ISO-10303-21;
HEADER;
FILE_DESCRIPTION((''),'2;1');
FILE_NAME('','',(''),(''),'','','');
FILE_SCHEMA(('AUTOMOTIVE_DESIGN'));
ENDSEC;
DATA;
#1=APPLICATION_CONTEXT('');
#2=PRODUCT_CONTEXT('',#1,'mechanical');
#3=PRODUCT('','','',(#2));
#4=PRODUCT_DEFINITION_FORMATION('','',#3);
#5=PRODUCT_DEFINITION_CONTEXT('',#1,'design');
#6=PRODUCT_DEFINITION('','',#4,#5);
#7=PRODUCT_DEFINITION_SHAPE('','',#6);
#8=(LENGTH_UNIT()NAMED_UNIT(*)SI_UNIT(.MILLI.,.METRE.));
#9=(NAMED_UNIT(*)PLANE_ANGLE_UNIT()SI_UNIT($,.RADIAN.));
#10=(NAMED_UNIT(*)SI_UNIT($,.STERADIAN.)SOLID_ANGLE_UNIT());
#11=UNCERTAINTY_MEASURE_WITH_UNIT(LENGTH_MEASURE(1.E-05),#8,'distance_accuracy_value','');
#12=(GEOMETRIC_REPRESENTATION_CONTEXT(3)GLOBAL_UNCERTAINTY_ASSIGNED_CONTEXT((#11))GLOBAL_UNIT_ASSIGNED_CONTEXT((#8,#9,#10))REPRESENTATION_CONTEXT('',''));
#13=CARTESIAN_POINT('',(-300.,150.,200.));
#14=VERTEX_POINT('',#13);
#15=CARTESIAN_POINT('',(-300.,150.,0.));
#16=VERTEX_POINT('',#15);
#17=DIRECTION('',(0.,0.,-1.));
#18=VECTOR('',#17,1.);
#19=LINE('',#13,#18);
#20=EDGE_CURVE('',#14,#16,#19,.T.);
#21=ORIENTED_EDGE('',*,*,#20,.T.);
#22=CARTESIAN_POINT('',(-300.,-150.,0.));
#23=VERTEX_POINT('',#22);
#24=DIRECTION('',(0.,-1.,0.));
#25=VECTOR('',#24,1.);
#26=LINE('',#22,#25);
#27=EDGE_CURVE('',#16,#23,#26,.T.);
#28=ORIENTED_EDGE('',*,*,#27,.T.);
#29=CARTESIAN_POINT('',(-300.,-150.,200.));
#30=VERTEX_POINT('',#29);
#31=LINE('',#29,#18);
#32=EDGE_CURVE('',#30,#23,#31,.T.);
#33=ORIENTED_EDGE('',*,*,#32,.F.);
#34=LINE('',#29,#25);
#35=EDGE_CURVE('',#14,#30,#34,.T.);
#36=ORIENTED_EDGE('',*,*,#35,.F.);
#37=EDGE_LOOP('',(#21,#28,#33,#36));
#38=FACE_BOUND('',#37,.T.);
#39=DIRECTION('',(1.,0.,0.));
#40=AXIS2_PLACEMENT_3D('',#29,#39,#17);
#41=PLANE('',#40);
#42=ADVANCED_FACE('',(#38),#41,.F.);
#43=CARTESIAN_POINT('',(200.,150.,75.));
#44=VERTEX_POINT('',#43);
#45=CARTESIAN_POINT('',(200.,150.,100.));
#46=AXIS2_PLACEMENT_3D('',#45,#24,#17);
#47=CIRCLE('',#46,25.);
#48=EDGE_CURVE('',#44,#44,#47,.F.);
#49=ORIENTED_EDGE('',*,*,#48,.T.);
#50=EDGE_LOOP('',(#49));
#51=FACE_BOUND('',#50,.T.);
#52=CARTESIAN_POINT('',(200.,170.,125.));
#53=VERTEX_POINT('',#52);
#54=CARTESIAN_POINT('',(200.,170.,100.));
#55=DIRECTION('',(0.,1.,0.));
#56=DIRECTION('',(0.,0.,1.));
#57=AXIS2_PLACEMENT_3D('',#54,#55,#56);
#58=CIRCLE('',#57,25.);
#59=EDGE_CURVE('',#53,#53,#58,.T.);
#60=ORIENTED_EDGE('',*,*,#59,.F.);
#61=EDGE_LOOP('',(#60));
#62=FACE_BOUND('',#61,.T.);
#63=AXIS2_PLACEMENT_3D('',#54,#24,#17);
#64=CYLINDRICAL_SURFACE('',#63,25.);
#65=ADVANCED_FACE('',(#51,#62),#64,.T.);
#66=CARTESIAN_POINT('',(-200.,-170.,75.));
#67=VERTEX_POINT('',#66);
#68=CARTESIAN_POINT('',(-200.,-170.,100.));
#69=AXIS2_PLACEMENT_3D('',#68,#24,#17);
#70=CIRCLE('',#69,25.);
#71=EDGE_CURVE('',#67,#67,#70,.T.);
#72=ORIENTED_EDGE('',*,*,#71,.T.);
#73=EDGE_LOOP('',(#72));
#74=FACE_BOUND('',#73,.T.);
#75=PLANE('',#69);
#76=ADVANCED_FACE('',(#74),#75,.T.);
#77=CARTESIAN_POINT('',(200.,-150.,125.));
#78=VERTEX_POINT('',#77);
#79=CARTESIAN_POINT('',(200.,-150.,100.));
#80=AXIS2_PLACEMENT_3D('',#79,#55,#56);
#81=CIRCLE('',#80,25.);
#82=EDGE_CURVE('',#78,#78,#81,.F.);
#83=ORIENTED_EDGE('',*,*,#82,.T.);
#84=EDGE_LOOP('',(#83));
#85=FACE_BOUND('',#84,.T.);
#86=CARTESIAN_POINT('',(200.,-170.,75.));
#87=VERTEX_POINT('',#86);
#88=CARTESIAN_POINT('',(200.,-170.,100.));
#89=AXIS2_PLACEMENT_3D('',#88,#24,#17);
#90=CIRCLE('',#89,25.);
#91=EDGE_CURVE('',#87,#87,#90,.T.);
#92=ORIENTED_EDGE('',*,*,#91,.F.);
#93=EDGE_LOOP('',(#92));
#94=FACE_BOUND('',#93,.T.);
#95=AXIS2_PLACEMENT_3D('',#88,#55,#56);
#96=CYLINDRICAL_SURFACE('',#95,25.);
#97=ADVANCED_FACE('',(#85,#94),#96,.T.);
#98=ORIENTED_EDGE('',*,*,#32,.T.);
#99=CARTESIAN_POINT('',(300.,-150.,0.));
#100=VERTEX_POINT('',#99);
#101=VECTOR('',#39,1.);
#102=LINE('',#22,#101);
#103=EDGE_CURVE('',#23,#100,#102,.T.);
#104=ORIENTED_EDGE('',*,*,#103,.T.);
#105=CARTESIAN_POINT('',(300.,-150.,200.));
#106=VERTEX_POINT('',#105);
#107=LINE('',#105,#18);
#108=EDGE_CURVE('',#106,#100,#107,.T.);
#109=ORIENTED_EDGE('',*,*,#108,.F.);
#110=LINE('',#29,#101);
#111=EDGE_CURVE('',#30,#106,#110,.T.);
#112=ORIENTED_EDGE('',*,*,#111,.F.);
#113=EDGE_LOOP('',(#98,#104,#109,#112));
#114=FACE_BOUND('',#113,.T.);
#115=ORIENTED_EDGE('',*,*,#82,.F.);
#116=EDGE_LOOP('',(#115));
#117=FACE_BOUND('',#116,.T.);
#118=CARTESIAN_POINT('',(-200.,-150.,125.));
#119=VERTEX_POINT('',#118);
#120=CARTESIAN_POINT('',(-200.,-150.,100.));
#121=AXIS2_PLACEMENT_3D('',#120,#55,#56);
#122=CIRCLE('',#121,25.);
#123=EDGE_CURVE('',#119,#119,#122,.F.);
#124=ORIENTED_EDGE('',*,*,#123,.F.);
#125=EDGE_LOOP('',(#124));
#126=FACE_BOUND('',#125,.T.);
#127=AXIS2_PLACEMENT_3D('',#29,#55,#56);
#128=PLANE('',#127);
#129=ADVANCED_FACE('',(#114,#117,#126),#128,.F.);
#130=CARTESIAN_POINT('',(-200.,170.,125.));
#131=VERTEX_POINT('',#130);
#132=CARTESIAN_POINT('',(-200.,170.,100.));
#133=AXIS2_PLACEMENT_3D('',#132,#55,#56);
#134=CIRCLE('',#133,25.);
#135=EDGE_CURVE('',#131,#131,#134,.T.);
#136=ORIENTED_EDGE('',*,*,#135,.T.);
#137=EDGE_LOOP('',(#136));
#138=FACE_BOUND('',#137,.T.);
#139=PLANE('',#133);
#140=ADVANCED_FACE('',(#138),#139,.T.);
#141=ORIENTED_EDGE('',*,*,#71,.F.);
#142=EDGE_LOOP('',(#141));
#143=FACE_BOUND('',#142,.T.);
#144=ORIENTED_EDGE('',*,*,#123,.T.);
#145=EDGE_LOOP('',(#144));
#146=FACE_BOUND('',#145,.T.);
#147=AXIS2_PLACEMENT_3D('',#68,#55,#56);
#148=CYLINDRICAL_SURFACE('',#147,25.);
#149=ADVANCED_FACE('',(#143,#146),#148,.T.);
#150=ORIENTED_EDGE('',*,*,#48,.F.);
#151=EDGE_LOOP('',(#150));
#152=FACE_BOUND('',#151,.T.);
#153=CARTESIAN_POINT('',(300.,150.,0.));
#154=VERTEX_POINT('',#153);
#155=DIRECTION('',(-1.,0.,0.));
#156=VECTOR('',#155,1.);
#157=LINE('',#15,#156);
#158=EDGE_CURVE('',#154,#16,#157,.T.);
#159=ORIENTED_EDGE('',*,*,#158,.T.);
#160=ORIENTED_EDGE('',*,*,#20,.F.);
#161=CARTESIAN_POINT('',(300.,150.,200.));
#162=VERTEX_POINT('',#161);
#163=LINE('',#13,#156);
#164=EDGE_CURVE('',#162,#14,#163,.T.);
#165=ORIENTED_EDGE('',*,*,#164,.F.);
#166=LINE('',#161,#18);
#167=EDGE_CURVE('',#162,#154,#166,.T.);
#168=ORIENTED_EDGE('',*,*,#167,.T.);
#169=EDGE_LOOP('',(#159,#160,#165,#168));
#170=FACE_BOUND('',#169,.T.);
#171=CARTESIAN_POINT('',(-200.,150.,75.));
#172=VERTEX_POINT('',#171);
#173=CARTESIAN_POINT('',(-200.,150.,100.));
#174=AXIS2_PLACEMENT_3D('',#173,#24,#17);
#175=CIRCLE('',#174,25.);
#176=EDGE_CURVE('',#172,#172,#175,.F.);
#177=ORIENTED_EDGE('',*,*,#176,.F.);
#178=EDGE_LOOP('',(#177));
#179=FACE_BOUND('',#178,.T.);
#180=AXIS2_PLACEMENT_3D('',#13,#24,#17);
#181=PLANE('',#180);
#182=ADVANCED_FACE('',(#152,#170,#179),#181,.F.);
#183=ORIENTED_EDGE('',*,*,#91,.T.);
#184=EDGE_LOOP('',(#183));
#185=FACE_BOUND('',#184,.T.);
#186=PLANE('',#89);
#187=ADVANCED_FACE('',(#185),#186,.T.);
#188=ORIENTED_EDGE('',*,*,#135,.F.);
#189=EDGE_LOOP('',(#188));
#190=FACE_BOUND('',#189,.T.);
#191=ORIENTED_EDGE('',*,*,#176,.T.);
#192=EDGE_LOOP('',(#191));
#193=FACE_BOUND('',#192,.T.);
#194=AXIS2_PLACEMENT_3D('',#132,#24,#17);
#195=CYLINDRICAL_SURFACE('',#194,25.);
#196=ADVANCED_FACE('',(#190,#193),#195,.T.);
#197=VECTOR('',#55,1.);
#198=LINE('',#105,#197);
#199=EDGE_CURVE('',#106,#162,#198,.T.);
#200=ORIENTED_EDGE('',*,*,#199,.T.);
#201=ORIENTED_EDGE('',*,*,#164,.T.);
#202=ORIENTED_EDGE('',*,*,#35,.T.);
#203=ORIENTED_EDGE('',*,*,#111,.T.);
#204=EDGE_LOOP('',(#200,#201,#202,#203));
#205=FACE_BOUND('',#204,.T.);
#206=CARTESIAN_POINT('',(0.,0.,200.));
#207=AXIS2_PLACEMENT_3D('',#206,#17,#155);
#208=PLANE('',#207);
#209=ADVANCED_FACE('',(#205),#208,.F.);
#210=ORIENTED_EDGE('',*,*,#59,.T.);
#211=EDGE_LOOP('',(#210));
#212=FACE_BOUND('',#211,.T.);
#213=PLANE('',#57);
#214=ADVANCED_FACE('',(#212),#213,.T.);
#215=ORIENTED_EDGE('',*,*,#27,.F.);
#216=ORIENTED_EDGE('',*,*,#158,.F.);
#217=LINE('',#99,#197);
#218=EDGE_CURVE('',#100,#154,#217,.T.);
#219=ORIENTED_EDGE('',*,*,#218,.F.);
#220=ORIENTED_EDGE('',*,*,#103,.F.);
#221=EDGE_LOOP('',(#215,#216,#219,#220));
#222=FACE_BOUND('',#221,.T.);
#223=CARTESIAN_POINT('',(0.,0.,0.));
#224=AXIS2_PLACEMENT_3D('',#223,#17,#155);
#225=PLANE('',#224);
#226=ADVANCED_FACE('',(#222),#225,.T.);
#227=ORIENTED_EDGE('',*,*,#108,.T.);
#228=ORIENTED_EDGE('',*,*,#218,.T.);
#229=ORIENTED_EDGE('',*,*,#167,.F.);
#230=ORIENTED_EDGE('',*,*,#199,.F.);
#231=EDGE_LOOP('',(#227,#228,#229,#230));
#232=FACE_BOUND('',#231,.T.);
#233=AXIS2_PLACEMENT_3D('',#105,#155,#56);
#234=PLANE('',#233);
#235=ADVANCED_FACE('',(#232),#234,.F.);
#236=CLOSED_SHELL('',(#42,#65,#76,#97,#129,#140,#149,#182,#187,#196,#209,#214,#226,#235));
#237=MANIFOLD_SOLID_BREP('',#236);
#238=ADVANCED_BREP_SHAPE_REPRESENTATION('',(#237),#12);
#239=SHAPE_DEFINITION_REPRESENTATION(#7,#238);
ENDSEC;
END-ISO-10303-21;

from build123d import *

# Parameters (mm, degrees)
SKETCH_1_W      = 600
SKETCH_1_H      = 300
EXTRUDE_1_DEPTH = 200
SKETCH_2_R      = 25
EXTRUDE_2_DEPTH = 20
EXTRUDE_START   = 20
SKETCH_3_R      = 25
EXTRUDE_3_DEPTH = 20


with BuildPart() as part:
    # 草图1 → 凸台-拉伸1 (new body)
    with BuildSketch(Plane.XY):
        Rectangle(SKETCH_1_W, SKETCH_1_H)
    extrude(amount=EXTRUDE_1_DEPTH)

    # 草图2 → 凸台-拉伸2 (add)
    with BuildSketch(Plane.XZ.offset(150)):
        with Locations(Location((-200, 100, 0), (0, 0, 90))):
            Circle(SKETCH_2_R)
        with Locations(Location((200, 100, 0), (0, 0, 90))):
            Circle(SKETCH_2_R)
    extrude(amount=EXTRUDE_2_DEPTH)

    # 草图3 → 凸台-拉伸3 (add)
    with BuildSketch(Plane(origin=(0, 150, 0), x_dir=(1, 0, 0), z_dir=(0, 1, 0)).offset(EXTRUDE_START)):
        with Locations(Location((200, -100, 0), (0, 0, 270))):
            Circle(SKETCH_3_R)
        with Locations(Location((-200, -100, 0), (0, 0, 270))):
            Circle(SKETCH_3_R)
    extrude(amount=-EXTRUDE_3_DEPTH)


solid = part.part
